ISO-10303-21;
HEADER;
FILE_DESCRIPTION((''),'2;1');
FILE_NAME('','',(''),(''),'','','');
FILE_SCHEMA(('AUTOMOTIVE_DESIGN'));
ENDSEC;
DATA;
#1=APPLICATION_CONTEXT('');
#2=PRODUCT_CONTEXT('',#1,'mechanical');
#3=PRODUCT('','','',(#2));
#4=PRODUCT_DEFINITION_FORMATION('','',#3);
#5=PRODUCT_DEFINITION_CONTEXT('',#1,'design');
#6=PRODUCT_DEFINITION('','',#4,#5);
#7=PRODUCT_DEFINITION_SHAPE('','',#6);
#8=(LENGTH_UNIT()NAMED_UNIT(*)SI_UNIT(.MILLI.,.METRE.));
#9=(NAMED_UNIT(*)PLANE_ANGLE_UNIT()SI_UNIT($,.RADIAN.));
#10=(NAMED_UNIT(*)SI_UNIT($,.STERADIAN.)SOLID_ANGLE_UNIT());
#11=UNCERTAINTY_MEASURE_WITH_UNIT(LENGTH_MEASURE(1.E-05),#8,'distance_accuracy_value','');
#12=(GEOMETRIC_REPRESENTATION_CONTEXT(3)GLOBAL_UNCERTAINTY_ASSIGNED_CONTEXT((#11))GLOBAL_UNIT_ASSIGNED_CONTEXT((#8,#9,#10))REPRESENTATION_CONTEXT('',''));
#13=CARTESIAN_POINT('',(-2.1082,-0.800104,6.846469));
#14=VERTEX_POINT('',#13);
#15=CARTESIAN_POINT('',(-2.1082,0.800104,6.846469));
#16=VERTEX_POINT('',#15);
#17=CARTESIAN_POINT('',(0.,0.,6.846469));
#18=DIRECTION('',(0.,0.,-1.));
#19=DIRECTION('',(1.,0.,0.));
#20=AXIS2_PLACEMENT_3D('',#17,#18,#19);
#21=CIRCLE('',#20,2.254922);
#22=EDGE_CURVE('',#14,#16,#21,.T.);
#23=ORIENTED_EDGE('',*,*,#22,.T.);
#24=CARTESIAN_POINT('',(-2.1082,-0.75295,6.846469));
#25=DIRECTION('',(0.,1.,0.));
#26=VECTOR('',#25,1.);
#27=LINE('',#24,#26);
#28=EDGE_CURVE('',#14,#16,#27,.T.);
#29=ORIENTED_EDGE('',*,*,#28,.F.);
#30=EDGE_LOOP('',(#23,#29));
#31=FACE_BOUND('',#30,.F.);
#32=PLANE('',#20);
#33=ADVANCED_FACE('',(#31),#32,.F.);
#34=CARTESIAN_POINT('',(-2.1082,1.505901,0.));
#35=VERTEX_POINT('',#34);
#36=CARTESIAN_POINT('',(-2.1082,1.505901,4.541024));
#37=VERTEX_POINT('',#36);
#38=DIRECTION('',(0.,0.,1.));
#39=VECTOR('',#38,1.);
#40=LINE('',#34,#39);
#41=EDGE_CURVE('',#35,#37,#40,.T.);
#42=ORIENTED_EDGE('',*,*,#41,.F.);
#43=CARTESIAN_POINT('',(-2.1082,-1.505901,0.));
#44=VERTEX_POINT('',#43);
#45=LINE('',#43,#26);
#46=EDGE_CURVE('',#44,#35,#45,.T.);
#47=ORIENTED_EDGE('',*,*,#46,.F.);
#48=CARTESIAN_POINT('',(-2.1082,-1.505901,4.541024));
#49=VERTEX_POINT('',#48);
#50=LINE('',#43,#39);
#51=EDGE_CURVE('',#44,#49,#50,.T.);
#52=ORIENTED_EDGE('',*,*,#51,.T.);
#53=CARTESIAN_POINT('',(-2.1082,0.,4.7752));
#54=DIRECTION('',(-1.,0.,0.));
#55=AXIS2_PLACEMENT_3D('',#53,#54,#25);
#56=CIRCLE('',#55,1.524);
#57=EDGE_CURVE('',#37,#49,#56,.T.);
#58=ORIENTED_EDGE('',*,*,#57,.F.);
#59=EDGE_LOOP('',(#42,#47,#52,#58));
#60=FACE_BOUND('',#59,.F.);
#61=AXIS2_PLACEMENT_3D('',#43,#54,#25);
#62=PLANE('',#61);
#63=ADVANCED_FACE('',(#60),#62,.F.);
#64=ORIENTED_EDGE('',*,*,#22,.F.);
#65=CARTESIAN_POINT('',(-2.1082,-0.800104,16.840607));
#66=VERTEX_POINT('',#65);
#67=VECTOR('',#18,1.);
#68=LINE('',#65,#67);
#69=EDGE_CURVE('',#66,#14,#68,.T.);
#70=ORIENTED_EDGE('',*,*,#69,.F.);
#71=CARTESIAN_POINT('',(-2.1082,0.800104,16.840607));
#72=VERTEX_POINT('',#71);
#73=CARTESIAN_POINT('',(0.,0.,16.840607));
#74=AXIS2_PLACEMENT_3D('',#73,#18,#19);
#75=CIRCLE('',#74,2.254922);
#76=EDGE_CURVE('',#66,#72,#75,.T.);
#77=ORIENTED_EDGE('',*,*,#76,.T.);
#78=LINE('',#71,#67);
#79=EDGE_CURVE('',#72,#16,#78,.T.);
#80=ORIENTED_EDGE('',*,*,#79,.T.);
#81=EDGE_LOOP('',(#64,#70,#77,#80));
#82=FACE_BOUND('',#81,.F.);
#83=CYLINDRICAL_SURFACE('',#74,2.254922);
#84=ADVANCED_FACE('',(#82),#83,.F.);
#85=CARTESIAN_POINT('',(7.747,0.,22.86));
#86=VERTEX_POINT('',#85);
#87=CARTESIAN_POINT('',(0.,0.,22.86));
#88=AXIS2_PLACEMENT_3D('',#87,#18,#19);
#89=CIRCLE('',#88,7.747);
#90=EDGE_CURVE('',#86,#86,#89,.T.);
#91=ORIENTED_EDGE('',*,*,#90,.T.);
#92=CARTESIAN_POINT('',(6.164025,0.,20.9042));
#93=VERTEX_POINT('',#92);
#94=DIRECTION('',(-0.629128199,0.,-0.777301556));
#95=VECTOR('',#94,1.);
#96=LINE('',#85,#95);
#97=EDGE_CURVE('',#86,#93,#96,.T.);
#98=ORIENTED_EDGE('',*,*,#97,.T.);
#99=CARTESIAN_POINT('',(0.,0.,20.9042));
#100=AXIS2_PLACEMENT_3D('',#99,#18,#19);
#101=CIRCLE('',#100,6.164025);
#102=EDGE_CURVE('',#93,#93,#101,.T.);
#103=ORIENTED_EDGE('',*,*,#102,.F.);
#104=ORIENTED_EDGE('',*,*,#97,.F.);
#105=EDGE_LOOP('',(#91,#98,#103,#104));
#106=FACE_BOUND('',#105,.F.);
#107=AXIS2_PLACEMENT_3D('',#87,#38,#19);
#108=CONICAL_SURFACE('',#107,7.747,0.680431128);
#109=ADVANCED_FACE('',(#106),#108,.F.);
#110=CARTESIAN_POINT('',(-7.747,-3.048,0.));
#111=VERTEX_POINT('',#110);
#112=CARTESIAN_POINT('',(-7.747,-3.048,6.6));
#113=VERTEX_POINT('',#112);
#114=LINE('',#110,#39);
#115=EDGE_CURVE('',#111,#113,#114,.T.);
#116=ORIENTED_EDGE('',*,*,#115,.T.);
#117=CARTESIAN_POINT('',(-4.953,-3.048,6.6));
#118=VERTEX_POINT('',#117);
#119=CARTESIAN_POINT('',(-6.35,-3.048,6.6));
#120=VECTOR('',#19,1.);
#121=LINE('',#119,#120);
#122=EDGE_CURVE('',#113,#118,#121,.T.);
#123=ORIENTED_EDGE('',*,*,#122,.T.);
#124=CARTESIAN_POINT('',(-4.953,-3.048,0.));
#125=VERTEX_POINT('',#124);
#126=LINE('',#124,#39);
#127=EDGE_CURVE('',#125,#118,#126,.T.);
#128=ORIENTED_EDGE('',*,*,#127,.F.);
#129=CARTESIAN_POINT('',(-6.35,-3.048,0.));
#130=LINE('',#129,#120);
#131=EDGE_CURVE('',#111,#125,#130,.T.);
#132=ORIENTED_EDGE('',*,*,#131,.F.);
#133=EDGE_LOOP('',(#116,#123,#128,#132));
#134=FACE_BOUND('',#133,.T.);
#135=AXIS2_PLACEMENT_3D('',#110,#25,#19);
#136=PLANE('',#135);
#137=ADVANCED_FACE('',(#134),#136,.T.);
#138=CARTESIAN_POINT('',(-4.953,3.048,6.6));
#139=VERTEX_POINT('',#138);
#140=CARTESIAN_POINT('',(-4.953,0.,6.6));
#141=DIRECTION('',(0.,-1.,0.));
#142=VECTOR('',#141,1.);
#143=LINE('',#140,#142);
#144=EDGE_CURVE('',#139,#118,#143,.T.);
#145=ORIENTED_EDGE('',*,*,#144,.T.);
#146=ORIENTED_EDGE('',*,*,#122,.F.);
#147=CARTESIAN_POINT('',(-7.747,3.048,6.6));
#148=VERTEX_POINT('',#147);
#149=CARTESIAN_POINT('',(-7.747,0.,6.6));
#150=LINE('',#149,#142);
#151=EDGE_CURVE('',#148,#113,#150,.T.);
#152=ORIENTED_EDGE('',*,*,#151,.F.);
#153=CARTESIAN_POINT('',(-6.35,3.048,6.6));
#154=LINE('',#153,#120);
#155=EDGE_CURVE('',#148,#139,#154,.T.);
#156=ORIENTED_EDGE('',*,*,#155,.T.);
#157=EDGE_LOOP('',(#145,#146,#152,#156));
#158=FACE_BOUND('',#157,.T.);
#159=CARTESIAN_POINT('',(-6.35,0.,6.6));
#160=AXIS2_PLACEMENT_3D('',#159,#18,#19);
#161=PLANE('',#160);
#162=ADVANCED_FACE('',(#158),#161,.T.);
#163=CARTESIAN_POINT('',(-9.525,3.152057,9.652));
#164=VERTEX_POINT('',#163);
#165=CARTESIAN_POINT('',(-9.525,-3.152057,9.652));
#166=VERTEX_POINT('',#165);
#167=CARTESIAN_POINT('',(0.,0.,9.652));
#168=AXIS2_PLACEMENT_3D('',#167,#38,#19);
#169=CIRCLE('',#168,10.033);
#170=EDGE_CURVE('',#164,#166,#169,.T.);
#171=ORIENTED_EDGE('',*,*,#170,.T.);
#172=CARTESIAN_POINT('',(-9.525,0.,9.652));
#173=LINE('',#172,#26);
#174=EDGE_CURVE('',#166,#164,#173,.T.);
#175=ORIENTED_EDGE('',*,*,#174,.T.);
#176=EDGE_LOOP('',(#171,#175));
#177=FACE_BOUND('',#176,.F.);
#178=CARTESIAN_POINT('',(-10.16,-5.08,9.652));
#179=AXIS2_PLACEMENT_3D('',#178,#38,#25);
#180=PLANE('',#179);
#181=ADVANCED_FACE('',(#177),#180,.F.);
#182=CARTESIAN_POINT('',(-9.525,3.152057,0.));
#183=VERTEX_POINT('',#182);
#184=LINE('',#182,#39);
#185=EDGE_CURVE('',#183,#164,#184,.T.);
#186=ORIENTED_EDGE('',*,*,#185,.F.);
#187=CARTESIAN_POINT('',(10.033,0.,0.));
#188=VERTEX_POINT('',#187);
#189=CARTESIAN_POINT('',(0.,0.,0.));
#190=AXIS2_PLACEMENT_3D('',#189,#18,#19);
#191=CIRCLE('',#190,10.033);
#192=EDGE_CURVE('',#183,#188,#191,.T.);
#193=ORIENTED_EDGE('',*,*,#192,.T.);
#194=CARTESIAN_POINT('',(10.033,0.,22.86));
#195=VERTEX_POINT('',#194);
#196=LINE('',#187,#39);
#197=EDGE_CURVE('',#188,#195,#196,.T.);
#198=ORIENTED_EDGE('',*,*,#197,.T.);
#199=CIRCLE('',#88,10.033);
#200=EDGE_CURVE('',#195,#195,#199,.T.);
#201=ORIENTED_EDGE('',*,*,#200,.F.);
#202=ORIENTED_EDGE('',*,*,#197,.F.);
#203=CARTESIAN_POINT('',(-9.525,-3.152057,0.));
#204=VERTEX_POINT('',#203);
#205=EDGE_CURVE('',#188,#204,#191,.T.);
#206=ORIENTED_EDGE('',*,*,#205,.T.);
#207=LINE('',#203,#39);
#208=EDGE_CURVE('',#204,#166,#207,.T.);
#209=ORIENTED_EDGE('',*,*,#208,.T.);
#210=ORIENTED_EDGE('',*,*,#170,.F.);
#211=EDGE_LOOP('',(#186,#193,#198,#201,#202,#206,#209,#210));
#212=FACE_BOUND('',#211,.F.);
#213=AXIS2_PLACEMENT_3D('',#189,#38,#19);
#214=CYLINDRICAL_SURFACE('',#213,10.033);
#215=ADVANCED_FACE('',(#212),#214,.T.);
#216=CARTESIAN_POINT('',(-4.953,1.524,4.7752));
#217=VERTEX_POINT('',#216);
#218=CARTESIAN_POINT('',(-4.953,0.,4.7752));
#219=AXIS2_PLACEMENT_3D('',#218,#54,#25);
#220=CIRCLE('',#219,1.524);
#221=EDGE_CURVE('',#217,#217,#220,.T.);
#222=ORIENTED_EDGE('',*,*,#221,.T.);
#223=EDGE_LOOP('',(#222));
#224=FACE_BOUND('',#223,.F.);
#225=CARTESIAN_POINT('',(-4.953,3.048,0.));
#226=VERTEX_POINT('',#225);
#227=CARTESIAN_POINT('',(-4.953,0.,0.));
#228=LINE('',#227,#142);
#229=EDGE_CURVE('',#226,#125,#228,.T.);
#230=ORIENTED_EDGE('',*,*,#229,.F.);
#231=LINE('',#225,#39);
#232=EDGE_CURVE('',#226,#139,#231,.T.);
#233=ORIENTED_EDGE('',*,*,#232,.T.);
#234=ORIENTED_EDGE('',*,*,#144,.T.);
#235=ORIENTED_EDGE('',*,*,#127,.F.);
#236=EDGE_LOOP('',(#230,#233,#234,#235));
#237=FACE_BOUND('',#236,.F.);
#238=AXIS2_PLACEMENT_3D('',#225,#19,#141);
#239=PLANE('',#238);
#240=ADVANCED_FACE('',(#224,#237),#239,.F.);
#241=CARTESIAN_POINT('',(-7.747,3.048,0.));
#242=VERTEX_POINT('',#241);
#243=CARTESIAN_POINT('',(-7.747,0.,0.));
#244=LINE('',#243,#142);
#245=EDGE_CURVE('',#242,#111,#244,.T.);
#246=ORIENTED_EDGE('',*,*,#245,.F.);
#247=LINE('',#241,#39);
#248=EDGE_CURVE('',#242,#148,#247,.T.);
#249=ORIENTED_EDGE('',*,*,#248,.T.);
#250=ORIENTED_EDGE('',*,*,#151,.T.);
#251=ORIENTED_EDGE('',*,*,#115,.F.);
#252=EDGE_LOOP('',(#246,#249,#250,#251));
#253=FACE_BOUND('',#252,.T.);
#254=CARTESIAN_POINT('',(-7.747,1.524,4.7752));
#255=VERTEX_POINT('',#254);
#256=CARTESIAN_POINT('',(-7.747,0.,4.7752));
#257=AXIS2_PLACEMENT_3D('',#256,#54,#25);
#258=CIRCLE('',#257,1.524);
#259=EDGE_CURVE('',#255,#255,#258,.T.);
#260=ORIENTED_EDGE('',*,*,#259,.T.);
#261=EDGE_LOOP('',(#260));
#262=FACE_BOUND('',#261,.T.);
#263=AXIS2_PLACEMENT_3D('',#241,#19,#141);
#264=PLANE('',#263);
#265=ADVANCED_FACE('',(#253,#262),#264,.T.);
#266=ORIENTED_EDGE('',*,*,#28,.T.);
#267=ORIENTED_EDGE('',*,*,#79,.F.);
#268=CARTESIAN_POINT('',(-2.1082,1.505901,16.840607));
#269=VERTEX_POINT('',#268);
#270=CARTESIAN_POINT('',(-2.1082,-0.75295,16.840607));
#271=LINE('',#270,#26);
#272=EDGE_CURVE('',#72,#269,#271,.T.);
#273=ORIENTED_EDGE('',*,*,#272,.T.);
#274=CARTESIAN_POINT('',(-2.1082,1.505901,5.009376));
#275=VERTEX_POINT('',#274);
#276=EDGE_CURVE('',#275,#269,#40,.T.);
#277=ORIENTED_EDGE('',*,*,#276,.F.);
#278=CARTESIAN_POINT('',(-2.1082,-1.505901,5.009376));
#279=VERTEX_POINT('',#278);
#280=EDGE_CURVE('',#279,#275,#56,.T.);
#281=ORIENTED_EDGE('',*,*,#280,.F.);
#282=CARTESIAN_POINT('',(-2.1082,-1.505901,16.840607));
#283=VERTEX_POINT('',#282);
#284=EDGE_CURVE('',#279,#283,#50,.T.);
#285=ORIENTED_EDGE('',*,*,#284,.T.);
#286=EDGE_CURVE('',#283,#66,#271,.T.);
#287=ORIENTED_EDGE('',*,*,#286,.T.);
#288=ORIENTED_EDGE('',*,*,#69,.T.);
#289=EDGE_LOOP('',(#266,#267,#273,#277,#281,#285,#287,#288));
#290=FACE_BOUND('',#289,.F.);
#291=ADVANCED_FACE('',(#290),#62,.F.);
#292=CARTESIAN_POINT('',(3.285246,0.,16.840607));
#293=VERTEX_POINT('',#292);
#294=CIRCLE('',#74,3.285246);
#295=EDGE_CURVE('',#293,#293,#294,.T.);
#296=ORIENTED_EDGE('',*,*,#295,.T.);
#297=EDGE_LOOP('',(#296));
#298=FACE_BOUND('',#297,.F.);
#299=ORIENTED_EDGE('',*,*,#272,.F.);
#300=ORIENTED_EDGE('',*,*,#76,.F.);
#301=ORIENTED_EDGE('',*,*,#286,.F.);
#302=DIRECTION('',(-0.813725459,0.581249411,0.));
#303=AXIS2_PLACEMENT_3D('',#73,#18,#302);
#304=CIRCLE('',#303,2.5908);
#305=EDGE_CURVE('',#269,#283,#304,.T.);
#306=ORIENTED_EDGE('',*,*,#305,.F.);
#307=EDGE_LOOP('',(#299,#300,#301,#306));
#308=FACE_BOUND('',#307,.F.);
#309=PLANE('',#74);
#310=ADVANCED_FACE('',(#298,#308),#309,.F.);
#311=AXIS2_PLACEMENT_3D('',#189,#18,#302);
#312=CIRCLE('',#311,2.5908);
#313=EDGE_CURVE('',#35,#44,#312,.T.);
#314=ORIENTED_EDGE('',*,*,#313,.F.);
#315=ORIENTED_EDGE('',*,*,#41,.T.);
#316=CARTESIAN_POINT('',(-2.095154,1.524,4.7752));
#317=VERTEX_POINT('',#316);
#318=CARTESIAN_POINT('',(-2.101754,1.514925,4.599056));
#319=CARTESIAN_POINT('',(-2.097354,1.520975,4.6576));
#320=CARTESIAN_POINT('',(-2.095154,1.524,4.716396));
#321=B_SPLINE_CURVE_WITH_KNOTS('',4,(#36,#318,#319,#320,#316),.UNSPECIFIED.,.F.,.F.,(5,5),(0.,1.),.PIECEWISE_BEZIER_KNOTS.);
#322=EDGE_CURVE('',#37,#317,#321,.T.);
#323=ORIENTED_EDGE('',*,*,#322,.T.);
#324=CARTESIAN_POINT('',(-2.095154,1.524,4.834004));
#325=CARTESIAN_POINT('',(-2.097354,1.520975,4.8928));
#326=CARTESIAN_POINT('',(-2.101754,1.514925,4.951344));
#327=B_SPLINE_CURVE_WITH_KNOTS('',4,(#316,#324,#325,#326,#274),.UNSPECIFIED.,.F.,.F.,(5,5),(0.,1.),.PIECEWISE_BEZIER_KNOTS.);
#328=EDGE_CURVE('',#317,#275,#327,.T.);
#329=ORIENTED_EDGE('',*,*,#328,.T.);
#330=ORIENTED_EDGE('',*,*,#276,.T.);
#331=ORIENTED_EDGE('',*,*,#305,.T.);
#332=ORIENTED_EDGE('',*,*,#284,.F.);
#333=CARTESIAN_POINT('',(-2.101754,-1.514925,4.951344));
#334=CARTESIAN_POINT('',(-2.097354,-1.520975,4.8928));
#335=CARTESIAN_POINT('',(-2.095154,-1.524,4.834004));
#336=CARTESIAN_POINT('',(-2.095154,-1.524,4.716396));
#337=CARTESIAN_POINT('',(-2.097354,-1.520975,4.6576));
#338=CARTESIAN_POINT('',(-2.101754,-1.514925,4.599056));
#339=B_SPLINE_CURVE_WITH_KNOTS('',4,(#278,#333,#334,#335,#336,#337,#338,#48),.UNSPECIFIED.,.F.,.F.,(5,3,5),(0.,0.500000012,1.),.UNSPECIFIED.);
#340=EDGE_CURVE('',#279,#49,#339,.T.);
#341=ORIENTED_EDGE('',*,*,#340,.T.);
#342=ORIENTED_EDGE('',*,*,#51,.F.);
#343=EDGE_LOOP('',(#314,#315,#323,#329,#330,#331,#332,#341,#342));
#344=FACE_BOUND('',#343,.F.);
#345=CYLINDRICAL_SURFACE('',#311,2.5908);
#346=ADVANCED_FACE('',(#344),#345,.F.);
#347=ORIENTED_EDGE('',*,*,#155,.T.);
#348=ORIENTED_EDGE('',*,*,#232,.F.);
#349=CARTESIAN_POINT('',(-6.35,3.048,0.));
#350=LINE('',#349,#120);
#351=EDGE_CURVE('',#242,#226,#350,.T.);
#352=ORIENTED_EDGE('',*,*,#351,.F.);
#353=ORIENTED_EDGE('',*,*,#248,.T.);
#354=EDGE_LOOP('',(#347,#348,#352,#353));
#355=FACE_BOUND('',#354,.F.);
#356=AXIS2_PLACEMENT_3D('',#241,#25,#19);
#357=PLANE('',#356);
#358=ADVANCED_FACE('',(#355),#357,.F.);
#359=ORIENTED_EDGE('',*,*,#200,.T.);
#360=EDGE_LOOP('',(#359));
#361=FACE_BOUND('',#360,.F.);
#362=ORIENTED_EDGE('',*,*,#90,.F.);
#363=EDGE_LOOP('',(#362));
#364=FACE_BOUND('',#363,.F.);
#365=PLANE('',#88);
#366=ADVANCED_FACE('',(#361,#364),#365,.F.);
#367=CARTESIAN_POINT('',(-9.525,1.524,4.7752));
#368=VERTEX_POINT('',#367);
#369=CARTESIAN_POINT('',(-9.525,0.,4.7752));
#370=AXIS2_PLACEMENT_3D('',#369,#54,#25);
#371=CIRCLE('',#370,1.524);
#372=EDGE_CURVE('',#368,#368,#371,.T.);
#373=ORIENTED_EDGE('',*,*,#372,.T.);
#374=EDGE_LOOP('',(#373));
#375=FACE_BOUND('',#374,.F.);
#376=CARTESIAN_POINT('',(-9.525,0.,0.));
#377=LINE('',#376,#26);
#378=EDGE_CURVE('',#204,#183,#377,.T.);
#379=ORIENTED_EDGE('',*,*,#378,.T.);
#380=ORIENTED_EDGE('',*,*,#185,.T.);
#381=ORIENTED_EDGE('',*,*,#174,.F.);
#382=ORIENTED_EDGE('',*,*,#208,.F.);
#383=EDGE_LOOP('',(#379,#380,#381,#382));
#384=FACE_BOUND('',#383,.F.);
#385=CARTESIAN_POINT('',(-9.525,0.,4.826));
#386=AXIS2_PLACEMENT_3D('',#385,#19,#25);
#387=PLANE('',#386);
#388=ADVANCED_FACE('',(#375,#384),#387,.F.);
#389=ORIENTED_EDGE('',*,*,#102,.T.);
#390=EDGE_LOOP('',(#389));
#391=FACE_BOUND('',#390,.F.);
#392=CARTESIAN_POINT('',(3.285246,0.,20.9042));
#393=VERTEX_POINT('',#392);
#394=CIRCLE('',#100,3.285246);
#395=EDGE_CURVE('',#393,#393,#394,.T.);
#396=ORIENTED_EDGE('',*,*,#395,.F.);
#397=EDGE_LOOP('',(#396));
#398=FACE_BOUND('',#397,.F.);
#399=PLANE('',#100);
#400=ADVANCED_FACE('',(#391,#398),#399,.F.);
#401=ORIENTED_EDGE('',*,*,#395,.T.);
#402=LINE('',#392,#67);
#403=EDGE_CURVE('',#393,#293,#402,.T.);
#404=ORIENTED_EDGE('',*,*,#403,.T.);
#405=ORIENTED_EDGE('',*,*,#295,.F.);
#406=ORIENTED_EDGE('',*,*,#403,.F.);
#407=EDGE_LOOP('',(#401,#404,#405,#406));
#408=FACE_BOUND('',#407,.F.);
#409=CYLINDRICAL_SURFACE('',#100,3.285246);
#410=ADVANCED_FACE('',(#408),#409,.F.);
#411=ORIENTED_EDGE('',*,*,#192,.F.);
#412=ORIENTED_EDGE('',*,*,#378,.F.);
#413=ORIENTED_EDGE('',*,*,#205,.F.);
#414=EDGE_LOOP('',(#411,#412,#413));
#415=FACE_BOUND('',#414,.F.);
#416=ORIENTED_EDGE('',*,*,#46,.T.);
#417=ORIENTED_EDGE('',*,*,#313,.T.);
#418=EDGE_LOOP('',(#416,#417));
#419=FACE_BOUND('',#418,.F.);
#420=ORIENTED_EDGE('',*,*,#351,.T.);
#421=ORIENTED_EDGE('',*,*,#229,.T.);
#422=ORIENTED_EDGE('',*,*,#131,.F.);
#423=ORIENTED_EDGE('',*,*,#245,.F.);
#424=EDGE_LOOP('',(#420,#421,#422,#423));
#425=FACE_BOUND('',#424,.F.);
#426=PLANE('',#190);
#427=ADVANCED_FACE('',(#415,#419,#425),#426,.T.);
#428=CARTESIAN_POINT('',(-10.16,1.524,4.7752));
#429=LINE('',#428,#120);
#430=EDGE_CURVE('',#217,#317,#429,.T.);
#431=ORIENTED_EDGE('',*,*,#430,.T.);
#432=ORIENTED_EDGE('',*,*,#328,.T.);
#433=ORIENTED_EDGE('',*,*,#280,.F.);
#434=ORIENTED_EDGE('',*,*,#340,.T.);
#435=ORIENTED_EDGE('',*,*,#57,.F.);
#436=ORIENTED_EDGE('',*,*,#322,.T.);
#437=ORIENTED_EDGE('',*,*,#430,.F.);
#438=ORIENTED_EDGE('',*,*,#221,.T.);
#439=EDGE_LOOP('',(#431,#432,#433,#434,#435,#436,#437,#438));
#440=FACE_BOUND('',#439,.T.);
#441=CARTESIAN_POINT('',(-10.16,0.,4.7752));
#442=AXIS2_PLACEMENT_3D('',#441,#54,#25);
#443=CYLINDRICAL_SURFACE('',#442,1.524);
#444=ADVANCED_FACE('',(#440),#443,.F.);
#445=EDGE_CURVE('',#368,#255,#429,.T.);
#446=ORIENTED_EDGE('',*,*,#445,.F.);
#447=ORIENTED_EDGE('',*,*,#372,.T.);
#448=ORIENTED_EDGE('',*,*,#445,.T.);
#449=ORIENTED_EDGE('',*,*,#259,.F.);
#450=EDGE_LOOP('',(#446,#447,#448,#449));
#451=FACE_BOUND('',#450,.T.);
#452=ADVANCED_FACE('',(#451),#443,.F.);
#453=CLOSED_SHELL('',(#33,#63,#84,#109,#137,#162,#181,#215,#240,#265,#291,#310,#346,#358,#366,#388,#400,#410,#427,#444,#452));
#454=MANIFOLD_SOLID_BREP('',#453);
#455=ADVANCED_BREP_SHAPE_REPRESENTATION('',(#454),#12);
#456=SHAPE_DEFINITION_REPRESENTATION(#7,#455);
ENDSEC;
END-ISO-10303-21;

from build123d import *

# Parameters (mm, degrees)
F3_DEPTH  = 22.861
F5_W      = 10.16
F5_H      = 9.652
F6_DEPTH  = 0.635
F7_R      = 1.524
F8_DEPTH  = 10.16
F9_W      = 2.794
F9_H      = 6.096
F10_DEPTH = 6.6


with BuildPart() as f1:
    # F0 (on Front) → F1 (revolve)
    with BuildSketch(Plane.XZ):
        Polygon((0, 6.846469), (0, 0), (10.033, 0), (10.033, 22.86), (7.747, 22.86), (6.164025, 20.9042), (3.285246, 20.9042), (3.285246, 16.840607), (2.254922, 16.840607), (2.254922, 6.846469), (2.048858, 6.846469), align=None)
    revolve(axis=Axis((0, 0, 8.086767), (0, 0, -1)))

    # F2 (on face) → F3 (cut, through all)
    with BuildSketch(Plane(origin=(0, 0, 0), x_dir=(1, 0, 0), z_dir=(0, 0, -1))):
        with BuildLine():
            ThreePointArc((-2.1082, -1.505901), (2.5908, 0), (-2.1082, 1.505901))
            Line((-2.1082, 1.505901), (-2.1082, -1.505901))
        make_face()
    extrude(amount=-F3_DEPTH, mode=Mode.SUBTRACT)

    # F5 (on offset) → F6 (cut)
    with BuildSketch(Plane.YZ.offset(-10.16)):
        with Locations((0, 4.826)):
            Rectangle(F5_W, F5_H)
    extrude(amount=F6_DEPTH, mode=Mode.SUBTRACT)

    # F7 (on offset) → F8 (cut, through all)
    with BuildSketch(Plane.YZ.offset(-10.16)):
        with Locations((0, 4.7752)):
            Circle(F7_R)
    extrude(amount=F8_DEPTH, mode=Mode.SUBTRACT)

    # F9 (on face) → F10 (cut)
    with BuildSketch(Plane(origin=(0, 0, 0), x_dir=(1, 0, 0), z_dir=(0, 0, -1))):
        with Locations((-6.35, 0)):
            Rectangle(F9_W, F9_H)
    extrude(amount=-F10_DEPTH, mode=Mode.SUBTRACT)


solid = f1.part
